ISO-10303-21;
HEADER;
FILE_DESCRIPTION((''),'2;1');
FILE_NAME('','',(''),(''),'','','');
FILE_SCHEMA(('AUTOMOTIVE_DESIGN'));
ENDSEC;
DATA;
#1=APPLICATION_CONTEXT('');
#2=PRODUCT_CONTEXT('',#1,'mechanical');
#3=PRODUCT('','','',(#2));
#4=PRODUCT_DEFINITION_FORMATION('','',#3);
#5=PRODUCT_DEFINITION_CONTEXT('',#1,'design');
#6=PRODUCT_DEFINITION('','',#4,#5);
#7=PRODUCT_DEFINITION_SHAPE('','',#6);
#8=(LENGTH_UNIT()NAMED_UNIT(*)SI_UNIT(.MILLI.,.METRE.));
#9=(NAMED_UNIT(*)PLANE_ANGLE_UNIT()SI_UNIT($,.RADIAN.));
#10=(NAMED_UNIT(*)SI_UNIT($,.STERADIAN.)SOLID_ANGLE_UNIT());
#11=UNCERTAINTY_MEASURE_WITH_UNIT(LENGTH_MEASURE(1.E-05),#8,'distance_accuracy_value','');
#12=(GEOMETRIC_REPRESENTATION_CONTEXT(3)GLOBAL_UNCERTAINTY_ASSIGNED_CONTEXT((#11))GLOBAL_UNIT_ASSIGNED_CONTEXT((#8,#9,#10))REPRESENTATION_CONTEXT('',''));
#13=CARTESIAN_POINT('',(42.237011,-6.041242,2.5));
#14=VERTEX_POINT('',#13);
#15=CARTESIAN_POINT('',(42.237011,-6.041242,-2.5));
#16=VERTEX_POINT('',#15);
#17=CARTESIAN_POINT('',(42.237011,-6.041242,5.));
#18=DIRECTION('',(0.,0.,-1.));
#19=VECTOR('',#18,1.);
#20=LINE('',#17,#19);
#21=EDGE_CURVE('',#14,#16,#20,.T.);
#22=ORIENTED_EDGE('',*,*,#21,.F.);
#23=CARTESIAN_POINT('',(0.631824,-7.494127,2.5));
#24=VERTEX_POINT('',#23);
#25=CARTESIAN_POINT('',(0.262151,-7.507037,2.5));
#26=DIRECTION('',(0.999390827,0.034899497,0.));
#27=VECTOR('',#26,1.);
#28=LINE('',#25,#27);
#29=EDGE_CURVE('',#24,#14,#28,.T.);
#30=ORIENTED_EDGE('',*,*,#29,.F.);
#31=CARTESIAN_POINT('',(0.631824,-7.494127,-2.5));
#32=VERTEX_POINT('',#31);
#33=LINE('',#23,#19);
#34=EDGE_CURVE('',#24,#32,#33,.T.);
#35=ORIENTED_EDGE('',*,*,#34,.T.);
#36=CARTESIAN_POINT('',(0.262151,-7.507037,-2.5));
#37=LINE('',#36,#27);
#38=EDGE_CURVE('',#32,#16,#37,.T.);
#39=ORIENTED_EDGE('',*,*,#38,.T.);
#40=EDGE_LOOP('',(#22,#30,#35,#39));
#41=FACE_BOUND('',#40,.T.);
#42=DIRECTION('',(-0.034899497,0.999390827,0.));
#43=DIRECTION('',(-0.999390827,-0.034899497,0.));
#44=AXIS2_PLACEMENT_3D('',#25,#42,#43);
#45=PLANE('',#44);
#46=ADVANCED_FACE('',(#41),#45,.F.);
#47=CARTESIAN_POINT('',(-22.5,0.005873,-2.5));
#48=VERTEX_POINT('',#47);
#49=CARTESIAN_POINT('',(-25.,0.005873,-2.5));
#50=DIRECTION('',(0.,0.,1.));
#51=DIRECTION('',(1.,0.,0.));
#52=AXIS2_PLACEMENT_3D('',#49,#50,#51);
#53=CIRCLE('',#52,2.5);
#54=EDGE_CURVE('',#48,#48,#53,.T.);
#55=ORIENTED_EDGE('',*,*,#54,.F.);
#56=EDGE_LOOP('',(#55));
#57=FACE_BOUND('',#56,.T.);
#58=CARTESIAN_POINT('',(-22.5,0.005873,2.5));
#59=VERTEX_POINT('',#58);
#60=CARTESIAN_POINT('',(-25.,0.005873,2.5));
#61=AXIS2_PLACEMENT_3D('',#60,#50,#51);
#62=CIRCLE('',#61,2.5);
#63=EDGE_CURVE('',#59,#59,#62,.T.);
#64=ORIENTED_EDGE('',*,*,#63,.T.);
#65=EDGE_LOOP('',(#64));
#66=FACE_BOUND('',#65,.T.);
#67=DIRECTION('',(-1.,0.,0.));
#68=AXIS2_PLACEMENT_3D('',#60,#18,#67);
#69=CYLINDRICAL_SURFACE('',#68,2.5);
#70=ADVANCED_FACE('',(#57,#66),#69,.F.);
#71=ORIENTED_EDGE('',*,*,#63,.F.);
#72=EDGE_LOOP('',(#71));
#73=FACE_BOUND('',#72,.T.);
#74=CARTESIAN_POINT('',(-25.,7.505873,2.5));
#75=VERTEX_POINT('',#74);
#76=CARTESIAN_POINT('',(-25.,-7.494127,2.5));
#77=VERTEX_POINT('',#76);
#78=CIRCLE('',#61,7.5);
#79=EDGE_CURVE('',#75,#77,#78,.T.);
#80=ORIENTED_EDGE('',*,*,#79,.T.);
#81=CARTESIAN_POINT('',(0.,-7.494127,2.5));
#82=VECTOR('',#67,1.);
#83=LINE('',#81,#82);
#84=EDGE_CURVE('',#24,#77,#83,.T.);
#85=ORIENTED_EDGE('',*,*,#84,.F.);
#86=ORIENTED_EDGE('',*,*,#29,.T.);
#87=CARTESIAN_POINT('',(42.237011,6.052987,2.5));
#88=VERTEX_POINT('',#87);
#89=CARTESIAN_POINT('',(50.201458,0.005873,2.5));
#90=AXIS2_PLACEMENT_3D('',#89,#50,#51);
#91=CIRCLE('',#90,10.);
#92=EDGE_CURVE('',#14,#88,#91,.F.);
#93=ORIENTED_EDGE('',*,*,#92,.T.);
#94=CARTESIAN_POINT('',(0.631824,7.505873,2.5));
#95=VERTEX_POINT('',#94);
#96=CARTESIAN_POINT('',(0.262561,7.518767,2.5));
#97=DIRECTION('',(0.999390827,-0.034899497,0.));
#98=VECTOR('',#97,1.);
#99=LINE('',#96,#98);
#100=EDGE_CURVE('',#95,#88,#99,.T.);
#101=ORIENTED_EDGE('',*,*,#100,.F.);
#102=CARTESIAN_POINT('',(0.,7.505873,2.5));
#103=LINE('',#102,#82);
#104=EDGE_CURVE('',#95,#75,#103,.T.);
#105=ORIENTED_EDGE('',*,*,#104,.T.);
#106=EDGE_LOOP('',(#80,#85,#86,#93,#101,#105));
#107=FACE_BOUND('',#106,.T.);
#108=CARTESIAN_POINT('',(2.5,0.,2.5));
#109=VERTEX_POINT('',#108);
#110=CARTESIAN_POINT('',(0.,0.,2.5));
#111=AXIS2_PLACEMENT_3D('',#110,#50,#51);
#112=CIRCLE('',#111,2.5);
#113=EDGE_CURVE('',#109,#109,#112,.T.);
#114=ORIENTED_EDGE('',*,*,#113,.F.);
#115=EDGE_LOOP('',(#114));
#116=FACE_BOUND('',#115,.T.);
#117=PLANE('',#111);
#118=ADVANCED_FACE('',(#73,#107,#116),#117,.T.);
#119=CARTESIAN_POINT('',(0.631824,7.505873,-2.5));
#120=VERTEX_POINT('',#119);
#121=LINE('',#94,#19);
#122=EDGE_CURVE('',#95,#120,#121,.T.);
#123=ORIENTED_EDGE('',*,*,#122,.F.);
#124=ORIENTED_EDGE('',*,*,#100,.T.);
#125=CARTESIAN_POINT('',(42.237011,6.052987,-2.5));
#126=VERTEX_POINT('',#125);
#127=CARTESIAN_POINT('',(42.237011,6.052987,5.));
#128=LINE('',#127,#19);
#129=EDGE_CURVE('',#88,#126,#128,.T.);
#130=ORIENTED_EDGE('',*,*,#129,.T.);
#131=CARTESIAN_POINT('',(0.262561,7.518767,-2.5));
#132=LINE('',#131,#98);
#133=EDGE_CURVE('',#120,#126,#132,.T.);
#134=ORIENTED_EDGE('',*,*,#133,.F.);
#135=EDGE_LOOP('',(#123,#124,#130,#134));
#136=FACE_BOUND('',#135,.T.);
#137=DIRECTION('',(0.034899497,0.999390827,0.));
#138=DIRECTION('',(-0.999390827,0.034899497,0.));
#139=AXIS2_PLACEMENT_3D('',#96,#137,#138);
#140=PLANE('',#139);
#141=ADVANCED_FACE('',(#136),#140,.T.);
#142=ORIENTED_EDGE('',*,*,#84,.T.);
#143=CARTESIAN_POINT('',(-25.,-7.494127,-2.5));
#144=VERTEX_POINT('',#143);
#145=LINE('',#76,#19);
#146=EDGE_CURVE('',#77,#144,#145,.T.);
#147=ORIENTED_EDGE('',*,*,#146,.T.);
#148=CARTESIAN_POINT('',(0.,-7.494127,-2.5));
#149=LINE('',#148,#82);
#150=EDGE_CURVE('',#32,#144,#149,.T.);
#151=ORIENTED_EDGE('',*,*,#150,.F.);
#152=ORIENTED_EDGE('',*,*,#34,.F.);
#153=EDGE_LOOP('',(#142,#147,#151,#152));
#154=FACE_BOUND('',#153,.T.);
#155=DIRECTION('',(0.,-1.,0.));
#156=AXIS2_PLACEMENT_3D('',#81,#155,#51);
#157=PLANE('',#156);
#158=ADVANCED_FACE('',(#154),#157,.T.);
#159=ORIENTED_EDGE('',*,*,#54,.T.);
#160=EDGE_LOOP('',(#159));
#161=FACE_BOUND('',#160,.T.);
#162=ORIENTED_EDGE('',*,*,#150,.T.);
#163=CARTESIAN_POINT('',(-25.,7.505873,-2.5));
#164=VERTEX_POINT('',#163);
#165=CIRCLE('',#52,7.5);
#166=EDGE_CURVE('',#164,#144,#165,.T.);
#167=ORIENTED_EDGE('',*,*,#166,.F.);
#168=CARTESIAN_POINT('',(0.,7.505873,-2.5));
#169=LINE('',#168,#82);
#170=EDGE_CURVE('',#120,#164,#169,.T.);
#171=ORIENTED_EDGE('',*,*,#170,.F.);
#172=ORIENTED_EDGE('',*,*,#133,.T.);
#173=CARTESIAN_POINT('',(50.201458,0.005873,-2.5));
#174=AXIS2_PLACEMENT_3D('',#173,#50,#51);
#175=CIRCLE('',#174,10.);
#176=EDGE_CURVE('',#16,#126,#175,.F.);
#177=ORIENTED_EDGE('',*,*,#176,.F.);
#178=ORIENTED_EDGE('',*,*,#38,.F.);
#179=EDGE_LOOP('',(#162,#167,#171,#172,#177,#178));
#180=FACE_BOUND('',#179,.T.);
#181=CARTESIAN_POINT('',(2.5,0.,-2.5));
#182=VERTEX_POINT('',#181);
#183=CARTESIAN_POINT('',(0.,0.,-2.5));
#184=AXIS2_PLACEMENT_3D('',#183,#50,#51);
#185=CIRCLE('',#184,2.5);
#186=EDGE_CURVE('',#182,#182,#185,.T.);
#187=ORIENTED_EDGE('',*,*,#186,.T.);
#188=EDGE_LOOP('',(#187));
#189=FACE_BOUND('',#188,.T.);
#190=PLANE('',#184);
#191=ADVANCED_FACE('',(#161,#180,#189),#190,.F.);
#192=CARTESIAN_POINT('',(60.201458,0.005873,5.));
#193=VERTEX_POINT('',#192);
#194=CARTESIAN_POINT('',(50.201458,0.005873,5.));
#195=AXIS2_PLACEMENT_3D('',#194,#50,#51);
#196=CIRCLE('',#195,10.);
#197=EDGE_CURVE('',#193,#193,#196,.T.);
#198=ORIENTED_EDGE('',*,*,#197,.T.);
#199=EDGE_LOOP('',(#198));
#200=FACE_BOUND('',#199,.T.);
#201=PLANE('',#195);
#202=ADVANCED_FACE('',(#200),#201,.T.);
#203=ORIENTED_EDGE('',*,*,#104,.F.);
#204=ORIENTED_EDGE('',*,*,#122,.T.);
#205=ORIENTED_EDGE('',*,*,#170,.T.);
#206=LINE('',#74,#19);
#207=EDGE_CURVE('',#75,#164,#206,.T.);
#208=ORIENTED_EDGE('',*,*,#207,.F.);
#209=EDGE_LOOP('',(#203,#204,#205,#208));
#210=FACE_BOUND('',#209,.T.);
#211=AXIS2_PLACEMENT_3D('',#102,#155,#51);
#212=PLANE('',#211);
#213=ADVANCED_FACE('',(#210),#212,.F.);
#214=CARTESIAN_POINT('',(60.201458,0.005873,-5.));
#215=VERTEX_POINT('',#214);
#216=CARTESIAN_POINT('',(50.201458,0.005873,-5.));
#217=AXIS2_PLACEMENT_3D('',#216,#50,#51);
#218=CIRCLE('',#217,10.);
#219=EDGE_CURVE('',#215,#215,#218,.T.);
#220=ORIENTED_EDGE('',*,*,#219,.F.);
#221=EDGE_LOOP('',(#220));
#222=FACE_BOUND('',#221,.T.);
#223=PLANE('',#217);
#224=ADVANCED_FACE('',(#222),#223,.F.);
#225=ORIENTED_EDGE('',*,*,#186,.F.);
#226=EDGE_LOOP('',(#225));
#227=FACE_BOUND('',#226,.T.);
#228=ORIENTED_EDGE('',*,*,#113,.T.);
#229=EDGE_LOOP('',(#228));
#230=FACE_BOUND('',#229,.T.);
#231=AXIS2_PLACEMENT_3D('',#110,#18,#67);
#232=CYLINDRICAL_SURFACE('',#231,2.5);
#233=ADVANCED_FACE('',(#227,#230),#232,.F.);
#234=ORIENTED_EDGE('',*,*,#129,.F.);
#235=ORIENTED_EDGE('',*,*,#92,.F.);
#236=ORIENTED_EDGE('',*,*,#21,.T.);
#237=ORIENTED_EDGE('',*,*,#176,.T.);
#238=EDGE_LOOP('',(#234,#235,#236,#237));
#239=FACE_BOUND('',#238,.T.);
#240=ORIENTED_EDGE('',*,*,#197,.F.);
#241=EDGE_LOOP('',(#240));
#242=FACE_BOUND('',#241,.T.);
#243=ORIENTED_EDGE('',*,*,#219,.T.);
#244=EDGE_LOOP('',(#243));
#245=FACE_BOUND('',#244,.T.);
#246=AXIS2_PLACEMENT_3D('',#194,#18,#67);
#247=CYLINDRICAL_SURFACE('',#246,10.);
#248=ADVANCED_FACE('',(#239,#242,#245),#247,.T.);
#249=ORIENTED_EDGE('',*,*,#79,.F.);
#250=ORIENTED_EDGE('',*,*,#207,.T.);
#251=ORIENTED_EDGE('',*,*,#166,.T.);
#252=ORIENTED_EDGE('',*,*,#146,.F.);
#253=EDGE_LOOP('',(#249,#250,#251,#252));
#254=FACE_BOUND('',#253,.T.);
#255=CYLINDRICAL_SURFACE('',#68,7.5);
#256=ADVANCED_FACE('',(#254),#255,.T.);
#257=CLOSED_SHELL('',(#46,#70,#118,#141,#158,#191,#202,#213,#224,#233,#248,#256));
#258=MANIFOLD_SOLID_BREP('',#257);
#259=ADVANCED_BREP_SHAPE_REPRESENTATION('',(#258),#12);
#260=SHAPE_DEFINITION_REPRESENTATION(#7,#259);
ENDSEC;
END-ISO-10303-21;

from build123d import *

# Parameters (mm, degrees)
BOSS_EXTRUDE1_DEPTH = 2.5
SKETCH2_R           = 10
BOSS_EXTRUDE2_DEPTH = 5


with BuildPart() as part:
    # Sketch1 → Boss-Extrude1 (new, symmetric)
    with BuildSketch(Plane.XY):
        with BuildLine():
            ThreePointArc((-17.5, 0.005872539), (-19.696699141, 5.309173398), (-25, 7.505872539))
            Line((-25, 7.505872539), (-25, 2.505872539))
            ThreePointArc((-25, 2.505872539), (-23.232233047, 1.773639492), (-22.5, 0.005872539))
            Line((-22.5, 0.005872539), (-17.5, 0.005872539))
        make_face()
        with BuildLine():
            Line((-25, 2.505872539), (-25, 7.505872539))
            ThreePointArc((-25, 7.505872539), (-30.303300859, 5.309173398), (-32.5, 0.005872539))
            Line((-32.5, 0.005872539), (-27.5, 0.005872539))
            ThreePointArc((-27.5, 0.005872539), (-26.767766953, 1.773639492), (-25, 2.505872539))
        make_face()
        with BuildLine():
            ThreePointArc((-25, -7.494127461), (-19.696699141, -5.29742832), (-17.5, 0.005872539))
            Line((-17.5, 0.005872539), (-22.5, 0.005872539))
            ThreePointArc((-22.5, 0.005872539), (-23.232233047, -1.761894414), (-25, -2.494127461))
            Line((-25, -2.494127461), (-25, -7.494127461))
        make_face()
        with BuildLine():
            Line((-27.5, 0.005872539), (-32.5, 0.005872539))
            ThreePointArc((-32.5, 0.005872539), (-30.303300859, -5.29742832), (-25, -7.494127461))
            Line((-25, -7.494127461), (-25, -2.494127461))
            ThreePointArc((-25, -2.494127461), (-26.767766953, -1.761894414), (-27.5, 0.005872539))
        make_face()
        with BuildLine():
            ThreePointArc((50.201457579, -5.763117708), (54.152393819, -4.00404756), (55.772506702, 0.005872539))
            Line((55.772506702, 0.005872539), (2.499993103, 0.005872539))
            ThreePointArc((2.499993103, 0.005872539), (2.499998276, 0.002936272), (2.5, 0))
            ThreePointArc((2.5, 0), (1.869738707, -1.659541253), (0.296738265, -2.482326812))
            ThreePointArc((0.296738265, -2.482326812), (-1.661736132, -1.867788272), (-2.499993103, 0.005872539))
            Line((-2.499993103, 0.005872539), (-17.5, 0.005872539))
            ThreePointArc((-17.5, 0.005872539), (-19.696699141, -5.29742832), (-25, -7.494127461))
            Line((-25, -7.494127461), (0.631823856, -7.494127461))
            Line((0.631823856, -7.494127461), (50.201457579, -5.763117708))
        make_face()
        with BuildLine():
            Line((50.201457579, 5.774862786), (0.631823856, 7.505872539))
            Line((0.631823856, 7.505872539), (-25, 7.505872539))
            ThreePointArc((-25, 7.505872539), (-19.696699141, 5.309173398), (-17.5, 0.005872539))
            Line((-17.5, 0.005872539), (-2.499993103, 0.005872539))
            ThreePointArc((-2.499993103, 0.005872539), (-1.657344084, 1.871686562), (0.296738265, 2.482326812))
            ThreePointArc((0.296738265, 2.482326812), (1.867788272, 1.661736132), (2.499993103, 0.005872539))
            Line((2.499993103, 0.005872539), (55.772506702, 0.005872539))
            ThreePointArc((55.772506702, 0.005872539), (54.152393819, 4.015792638), (50.201457579, 5.774862786))
        make_face()
    extrude(amount=BOSS_EXTRUDE1_DEPTH, both=True)

    # Sketch2 → Boss-Extrude2 (add, symmetric)
    with BuildSketch(Plane.XY):
        with Locations((50.201457579, 0.005872539)):
            Circle(SKETCH2_R)
    extrude(amount=BOSS_EXTRUDE2_DEPTH, both=True)


solid = part.part
